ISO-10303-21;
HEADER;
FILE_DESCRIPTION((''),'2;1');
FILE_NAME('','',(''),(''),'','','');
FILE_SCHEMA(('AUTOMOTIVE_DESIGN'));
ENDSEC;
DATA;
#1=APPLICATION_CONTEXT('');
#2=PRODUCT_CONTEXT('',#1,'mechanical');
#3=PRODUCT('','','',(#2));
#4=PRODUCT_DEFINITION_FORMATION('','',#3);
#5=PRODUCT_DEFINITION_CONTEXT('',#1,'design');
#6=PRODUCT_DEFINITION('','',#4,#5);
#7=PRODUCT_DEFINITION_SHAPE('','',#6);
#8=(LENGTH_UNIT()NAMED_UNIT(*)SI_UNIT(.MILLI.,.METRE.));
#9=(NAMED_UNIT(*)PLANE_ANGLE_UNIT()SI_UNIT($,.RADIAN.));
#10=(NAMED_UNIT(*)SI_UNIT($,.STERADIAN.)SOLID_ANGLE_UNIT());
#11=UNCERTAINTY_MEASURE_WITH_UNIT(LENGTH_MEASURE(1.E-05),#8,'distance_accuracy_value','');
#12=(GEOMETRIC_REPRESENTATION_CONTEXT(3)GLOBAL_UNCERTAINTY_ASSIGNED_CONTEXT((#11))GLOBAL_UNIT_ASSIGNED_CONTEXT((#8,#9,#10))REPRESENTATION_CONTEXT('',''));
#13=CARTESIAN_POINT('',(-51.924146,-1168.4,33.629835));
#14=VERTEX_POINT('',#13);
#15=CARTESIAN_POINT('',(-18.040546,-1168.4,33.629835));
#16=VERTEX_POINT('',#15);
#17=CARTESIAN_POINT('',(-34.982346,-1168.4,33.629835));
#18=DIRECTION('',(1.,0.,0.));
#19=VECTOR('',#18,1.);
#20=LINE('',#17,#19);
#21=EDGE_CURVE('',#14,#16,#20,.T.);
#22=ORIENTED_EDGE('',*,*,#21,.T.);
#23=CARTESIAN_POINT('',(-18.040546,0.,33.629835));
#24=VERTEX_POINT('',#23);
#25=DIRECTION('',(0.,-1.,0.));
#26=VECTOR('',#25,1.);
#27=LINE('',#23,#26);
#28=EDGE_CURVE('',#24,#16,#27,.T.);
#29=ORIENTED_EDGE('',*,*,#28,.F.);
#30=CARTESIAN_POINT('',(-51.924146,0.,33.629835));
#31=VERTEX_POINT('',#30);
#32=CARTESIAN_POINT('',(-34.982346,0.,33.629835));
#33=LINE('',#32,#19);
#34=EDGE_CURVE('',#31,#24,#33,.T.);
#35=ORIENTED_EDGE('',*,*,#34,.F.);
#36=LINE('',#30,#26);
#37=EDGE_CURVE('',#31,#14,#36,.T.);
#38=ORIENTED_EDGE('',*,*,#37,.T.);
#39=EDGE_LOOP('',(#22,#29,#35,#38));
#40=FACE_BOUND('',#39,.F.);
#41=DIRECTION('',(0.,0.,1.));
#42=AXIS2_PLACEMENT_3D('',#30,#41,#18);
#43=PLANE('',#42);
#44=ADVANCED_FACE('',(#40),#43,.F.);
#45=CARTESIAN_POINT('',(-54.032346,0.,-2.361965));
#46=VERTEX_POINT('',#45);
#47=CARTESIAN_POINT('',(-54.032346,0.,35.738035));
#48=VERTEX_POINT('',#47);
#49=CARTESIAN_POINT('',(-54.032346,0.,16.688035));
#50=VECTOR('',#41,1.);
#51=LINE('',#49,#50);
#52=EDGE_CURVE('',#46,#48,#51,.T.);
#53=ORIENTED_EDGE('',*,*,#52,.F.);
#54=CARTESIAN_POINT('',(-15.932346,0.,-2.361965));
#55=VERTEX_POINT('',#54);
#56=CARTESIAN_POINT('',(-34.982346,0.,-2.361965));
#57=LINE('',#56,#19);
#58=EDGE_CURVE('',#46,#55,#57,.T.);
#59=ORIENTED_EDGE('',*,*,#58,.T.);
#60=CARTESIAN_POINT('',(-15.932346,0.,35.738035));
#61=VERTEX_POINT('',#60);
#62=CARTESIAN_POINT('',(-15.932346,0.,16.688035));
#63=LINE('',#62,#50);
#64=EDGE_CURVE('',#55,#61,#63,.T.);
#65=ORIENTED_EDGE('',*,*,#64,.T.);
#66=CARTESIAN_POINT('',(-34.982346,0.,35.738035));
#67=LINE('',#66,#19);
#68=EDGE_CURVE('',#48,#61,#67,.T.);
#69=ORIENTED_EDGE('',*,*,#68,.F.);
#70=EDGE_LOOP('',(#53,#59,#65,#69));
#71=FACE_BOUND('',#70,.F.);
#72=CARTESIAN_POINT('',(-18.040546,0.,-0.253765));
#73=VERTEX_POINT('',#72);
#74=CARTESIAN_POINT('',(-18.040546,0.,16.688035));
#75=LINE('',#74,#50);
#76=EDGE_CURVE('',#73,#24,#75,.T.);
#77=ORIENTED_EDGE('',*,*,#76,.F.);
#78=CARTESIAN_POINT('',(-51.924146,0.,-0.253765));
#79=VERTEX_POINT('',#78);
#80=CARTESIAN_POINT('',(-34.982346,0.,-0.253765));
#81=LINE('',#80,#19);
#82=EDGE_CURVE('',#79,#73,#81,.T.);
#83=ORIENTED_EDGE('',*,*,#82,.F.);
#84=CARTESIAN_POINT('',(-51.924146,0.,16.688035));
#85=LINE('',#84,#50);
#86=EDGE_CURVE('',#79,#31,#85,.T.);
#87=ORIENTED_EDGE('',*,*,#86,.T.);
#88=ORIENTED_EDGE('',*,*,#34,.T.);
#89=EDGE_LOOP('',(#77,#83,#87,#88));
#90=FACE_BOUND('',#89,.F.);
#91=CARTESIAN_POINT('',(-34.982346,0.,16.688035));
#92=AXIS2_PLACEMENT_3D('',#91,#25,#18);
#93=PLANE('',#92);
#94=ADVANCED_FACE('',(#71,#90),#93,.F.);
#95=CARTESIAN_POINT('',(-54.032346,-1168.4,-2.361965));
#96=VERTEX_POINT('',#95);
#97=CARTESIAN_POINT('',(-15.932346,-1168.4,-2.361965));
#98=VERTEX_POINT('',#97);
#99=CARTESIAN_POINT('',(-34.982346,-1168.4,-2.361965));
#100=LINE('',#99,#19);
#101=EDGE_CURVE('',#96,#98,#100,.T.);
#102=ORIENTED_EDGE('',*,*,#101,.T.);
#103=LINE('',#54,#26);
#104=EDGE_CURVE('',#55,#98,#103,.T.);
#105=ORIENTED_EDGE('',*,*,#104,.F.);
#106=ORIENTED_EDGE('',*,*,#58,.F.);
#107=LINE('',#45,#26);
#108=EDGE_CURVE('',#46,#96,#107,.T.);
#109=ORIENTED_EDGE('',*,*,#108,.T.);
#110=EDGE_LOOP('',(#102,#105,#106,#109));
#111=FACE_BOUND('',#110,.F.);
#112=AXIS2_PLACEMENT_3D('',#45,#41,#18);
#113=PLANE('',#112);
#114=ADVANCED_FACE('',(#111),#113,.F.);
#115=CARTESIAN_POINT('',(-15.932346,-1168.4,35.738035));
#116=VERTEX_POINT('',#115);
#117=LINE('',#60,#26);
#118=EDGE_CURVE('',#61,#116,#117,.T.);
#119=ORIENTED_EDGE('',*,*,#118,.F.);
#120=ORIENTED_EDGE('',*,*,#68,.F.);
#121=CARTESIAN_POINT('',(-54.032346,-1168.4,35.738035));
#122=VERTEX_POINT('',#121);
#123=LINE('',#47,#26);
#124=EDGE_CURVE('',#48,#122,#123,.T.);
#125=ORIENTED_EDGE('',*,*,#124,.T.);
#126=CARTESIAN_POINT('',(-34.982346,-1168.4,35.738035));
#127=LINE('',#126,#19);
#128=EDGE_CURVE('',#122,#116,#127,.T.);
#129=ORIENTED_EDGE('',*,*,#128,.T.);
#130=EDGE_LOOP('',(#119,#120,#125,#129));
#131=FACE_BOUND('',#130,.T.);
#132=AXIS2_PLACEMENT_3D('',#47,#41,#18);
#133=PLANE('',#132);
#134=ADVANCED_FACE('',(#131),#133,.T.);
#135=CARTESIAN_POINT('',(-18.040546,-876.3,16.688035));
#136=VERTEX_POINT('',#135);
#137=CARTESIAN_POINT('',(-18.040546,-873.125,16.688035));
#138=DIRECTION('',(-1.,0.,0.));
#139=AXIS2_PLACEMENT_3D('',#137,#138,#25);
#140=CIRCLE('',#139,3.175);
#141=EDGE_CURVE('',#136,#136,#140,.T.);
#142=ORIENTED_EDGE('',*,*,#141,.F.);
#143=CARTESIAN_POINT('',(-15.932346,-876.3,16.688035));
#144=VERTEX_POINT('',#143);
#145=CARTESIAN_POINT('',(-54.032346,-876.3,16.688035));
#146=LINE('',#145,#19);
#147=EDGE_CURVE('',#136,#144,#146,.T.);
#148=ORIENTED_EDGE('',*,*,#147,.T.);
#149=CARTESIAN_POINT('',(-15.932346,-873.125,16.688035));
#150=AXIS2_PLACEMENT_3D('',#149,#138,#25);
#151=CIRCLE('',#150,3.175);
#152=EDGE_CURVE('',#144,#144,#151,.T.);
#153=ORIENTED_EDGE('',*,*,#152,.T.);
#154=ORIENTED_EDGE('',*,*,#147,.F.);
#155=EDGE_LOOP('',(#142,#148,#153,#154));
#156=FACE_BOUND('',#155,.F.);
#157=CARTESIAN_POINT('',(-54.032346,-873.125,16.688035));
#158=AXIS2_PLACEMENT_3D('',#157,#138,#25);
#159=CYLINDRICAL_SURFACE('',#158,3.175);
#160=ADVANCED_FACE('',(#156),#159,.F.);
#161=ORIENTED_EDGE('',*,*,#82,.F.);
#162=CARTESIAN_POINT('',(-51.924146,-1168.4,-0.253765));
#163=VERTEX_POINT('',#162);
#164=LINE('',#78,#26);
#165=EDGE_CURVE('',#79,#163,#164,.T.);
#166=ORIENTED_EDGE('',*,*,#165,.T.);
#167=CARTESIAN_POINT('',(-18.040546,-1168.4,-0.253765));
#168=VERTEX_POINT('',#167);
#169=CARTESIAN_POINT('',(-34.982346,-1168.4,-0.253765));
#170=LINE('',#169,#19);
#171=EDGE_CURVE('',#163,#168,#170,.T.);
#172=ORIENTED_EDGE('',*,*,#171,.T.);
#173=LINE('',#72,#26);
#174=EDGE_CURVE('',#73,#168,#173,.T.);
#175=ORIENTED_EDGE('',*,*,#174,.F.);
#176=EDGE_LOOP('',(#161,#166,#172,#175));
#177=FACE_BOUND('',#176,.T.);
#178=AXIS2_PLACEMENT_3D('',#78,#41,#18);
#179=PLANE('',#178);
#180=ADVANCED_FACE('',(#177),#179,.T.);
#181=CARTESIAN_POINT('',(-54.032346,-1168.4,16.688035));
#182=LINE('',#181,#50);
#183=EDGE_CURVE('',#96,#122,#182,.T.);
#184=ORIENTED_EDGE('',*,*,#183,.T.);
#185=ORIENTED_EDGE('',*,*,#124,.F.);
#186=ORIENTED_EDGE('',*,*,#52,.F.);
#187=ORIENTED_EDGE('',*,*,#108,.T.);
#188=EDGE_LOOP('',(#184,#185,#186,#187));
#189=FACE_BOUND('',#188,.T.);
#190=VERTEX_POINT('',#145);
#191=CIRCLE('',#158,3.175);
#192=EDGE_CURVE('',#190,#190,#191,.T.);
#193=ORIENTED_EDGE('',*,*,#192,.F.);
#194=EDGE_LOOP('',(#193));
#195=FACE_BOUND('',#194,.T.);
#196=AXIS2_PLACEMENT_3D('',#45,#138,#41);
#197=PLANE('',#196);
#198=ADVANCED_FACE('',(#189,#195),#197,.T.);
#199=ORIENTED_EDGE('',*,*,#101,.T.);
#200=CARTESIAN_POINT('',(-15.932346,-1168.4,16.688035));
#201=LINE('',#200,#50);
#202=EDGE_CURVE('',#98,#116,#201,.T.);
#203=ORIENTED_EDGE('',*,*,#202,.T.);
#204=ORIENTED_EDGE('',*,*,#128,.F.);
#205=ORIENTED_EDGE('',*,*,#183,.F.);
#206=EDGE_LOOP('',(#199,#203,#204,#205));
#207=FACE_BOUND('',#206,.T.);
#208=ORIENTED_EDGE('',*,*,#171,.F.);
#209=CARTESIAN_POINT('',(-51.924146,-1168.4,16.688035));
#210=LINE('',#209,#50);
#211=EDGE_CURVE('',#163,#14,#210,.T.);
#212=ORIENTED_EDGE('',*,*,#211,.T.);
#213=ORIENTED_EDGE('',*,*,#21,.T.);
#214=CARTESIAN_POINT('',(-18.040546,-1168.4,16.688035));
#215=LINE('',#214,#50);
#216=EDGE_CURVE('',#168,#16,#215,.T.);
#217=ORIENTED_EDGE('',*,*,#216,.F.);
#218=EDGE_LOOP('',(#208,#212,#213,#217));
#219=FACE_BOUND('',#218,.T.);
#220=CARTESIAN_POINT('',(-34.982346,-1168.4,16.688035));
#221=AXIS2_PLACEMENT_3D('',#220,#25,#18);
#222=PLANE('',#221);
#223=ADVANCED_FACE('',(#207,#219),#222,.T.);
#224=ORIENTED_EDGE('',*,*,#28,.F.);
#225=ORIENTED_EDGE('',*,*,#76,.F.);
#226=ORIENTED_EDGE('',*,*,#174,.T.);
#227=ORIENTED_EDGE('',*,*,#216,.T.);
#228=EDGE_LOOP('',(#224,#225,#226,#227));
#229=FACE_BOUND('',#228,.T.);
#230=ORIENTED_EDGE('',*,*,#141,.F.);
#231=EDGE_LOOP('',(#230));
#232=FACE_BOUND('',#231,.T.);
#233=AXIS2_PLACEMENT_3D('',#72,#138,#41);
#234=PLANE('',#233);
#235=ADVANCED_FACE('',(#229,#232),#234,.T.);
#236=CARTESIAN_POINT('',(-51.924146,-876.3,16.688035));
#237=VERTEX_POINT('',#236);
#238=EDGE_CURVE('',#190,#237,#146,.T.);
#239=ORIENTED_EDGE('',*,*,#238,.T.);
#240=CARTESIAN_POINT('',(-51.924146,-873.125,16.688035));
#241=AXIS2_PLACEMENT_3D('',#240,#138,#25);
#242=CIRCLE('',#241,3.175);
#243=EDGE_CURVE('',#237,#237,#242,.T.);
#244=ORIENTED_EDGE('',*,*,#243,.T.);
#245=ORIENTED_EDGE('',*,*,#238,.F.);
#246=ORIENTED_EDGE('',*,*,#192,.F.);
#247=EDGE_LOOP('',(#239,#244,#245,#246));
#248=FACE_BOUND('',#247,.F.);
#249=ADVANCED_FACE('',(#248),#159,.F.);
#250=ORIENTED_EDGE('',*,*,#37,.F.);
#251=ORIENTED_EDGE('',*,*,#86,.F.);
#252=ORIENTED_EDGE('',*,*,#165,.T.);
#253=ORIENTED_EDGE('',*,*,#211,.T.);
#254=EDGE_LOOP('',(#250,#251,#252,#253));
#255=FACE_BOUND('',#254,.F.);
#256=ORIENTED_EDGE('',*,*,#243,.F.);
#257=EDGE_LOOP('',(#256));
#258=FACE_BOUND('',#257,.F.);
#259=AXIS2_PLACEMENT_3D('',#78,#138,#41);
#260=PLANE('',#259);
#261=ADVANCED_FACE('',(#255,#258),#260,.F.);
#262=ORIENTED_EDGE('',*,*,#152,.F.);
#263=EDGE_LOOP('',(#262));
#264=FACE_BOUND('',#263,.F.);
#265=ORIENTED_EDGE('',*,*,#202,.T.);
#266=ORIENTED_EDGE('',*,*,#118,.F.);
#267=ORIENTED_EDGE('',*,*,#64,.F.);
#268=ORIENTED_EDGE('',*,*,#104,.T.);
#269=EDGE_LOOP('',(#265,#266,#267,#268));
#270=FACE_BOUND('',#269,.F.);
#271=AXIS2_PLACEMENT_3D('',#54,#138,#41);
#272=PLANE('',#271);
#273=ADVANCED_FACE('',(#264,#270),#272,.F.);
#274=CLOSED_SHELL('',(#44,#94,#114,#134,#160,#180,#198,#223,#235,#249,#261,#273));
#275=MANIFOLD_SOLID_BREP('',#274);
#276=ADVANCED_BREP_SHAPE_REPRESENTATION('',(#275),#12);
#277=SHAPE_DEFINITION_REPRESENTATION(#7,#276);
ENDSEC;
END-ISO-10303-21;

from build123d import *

# Parameters (mm, degrees)
F0_W     = 38.1
F0_H     = 38.1
F0_W_2   = 33.8836
F0_H_2   = 33.8836
F1_DEPTH = 1168.4
F2_R     = 3.175
F3_DEPTH = 76.2


with BuildPart() as f1:
    # F0 (on Front) → F1 (new body)
    with BuildSketch(Plane.XZ):
        with Locations((-34.982346, 16.688035)):
            Rectangle(F0_W, F0_H)
        with Locations((-34.982346, 16.688035)):
            Rectangle(F0_W_2, F0_H_2, mode=Mode.SUBTRACT)
    extrude(amount=F1_DEPTH)

    # F2 (on face) → F3 (cut)
    with BuildSketch(Plane(origin=(-54.032346, 0, 0), x_dir=(0, -1, 0), z_dir=(-1, 0, 0))):
        with Locations((873.125, 16.688035)):
            Circle(F2_R)
    extrude(amount=-F3_DEPTH, mode=Mode.SUBTRACT)


solid = f1.part
